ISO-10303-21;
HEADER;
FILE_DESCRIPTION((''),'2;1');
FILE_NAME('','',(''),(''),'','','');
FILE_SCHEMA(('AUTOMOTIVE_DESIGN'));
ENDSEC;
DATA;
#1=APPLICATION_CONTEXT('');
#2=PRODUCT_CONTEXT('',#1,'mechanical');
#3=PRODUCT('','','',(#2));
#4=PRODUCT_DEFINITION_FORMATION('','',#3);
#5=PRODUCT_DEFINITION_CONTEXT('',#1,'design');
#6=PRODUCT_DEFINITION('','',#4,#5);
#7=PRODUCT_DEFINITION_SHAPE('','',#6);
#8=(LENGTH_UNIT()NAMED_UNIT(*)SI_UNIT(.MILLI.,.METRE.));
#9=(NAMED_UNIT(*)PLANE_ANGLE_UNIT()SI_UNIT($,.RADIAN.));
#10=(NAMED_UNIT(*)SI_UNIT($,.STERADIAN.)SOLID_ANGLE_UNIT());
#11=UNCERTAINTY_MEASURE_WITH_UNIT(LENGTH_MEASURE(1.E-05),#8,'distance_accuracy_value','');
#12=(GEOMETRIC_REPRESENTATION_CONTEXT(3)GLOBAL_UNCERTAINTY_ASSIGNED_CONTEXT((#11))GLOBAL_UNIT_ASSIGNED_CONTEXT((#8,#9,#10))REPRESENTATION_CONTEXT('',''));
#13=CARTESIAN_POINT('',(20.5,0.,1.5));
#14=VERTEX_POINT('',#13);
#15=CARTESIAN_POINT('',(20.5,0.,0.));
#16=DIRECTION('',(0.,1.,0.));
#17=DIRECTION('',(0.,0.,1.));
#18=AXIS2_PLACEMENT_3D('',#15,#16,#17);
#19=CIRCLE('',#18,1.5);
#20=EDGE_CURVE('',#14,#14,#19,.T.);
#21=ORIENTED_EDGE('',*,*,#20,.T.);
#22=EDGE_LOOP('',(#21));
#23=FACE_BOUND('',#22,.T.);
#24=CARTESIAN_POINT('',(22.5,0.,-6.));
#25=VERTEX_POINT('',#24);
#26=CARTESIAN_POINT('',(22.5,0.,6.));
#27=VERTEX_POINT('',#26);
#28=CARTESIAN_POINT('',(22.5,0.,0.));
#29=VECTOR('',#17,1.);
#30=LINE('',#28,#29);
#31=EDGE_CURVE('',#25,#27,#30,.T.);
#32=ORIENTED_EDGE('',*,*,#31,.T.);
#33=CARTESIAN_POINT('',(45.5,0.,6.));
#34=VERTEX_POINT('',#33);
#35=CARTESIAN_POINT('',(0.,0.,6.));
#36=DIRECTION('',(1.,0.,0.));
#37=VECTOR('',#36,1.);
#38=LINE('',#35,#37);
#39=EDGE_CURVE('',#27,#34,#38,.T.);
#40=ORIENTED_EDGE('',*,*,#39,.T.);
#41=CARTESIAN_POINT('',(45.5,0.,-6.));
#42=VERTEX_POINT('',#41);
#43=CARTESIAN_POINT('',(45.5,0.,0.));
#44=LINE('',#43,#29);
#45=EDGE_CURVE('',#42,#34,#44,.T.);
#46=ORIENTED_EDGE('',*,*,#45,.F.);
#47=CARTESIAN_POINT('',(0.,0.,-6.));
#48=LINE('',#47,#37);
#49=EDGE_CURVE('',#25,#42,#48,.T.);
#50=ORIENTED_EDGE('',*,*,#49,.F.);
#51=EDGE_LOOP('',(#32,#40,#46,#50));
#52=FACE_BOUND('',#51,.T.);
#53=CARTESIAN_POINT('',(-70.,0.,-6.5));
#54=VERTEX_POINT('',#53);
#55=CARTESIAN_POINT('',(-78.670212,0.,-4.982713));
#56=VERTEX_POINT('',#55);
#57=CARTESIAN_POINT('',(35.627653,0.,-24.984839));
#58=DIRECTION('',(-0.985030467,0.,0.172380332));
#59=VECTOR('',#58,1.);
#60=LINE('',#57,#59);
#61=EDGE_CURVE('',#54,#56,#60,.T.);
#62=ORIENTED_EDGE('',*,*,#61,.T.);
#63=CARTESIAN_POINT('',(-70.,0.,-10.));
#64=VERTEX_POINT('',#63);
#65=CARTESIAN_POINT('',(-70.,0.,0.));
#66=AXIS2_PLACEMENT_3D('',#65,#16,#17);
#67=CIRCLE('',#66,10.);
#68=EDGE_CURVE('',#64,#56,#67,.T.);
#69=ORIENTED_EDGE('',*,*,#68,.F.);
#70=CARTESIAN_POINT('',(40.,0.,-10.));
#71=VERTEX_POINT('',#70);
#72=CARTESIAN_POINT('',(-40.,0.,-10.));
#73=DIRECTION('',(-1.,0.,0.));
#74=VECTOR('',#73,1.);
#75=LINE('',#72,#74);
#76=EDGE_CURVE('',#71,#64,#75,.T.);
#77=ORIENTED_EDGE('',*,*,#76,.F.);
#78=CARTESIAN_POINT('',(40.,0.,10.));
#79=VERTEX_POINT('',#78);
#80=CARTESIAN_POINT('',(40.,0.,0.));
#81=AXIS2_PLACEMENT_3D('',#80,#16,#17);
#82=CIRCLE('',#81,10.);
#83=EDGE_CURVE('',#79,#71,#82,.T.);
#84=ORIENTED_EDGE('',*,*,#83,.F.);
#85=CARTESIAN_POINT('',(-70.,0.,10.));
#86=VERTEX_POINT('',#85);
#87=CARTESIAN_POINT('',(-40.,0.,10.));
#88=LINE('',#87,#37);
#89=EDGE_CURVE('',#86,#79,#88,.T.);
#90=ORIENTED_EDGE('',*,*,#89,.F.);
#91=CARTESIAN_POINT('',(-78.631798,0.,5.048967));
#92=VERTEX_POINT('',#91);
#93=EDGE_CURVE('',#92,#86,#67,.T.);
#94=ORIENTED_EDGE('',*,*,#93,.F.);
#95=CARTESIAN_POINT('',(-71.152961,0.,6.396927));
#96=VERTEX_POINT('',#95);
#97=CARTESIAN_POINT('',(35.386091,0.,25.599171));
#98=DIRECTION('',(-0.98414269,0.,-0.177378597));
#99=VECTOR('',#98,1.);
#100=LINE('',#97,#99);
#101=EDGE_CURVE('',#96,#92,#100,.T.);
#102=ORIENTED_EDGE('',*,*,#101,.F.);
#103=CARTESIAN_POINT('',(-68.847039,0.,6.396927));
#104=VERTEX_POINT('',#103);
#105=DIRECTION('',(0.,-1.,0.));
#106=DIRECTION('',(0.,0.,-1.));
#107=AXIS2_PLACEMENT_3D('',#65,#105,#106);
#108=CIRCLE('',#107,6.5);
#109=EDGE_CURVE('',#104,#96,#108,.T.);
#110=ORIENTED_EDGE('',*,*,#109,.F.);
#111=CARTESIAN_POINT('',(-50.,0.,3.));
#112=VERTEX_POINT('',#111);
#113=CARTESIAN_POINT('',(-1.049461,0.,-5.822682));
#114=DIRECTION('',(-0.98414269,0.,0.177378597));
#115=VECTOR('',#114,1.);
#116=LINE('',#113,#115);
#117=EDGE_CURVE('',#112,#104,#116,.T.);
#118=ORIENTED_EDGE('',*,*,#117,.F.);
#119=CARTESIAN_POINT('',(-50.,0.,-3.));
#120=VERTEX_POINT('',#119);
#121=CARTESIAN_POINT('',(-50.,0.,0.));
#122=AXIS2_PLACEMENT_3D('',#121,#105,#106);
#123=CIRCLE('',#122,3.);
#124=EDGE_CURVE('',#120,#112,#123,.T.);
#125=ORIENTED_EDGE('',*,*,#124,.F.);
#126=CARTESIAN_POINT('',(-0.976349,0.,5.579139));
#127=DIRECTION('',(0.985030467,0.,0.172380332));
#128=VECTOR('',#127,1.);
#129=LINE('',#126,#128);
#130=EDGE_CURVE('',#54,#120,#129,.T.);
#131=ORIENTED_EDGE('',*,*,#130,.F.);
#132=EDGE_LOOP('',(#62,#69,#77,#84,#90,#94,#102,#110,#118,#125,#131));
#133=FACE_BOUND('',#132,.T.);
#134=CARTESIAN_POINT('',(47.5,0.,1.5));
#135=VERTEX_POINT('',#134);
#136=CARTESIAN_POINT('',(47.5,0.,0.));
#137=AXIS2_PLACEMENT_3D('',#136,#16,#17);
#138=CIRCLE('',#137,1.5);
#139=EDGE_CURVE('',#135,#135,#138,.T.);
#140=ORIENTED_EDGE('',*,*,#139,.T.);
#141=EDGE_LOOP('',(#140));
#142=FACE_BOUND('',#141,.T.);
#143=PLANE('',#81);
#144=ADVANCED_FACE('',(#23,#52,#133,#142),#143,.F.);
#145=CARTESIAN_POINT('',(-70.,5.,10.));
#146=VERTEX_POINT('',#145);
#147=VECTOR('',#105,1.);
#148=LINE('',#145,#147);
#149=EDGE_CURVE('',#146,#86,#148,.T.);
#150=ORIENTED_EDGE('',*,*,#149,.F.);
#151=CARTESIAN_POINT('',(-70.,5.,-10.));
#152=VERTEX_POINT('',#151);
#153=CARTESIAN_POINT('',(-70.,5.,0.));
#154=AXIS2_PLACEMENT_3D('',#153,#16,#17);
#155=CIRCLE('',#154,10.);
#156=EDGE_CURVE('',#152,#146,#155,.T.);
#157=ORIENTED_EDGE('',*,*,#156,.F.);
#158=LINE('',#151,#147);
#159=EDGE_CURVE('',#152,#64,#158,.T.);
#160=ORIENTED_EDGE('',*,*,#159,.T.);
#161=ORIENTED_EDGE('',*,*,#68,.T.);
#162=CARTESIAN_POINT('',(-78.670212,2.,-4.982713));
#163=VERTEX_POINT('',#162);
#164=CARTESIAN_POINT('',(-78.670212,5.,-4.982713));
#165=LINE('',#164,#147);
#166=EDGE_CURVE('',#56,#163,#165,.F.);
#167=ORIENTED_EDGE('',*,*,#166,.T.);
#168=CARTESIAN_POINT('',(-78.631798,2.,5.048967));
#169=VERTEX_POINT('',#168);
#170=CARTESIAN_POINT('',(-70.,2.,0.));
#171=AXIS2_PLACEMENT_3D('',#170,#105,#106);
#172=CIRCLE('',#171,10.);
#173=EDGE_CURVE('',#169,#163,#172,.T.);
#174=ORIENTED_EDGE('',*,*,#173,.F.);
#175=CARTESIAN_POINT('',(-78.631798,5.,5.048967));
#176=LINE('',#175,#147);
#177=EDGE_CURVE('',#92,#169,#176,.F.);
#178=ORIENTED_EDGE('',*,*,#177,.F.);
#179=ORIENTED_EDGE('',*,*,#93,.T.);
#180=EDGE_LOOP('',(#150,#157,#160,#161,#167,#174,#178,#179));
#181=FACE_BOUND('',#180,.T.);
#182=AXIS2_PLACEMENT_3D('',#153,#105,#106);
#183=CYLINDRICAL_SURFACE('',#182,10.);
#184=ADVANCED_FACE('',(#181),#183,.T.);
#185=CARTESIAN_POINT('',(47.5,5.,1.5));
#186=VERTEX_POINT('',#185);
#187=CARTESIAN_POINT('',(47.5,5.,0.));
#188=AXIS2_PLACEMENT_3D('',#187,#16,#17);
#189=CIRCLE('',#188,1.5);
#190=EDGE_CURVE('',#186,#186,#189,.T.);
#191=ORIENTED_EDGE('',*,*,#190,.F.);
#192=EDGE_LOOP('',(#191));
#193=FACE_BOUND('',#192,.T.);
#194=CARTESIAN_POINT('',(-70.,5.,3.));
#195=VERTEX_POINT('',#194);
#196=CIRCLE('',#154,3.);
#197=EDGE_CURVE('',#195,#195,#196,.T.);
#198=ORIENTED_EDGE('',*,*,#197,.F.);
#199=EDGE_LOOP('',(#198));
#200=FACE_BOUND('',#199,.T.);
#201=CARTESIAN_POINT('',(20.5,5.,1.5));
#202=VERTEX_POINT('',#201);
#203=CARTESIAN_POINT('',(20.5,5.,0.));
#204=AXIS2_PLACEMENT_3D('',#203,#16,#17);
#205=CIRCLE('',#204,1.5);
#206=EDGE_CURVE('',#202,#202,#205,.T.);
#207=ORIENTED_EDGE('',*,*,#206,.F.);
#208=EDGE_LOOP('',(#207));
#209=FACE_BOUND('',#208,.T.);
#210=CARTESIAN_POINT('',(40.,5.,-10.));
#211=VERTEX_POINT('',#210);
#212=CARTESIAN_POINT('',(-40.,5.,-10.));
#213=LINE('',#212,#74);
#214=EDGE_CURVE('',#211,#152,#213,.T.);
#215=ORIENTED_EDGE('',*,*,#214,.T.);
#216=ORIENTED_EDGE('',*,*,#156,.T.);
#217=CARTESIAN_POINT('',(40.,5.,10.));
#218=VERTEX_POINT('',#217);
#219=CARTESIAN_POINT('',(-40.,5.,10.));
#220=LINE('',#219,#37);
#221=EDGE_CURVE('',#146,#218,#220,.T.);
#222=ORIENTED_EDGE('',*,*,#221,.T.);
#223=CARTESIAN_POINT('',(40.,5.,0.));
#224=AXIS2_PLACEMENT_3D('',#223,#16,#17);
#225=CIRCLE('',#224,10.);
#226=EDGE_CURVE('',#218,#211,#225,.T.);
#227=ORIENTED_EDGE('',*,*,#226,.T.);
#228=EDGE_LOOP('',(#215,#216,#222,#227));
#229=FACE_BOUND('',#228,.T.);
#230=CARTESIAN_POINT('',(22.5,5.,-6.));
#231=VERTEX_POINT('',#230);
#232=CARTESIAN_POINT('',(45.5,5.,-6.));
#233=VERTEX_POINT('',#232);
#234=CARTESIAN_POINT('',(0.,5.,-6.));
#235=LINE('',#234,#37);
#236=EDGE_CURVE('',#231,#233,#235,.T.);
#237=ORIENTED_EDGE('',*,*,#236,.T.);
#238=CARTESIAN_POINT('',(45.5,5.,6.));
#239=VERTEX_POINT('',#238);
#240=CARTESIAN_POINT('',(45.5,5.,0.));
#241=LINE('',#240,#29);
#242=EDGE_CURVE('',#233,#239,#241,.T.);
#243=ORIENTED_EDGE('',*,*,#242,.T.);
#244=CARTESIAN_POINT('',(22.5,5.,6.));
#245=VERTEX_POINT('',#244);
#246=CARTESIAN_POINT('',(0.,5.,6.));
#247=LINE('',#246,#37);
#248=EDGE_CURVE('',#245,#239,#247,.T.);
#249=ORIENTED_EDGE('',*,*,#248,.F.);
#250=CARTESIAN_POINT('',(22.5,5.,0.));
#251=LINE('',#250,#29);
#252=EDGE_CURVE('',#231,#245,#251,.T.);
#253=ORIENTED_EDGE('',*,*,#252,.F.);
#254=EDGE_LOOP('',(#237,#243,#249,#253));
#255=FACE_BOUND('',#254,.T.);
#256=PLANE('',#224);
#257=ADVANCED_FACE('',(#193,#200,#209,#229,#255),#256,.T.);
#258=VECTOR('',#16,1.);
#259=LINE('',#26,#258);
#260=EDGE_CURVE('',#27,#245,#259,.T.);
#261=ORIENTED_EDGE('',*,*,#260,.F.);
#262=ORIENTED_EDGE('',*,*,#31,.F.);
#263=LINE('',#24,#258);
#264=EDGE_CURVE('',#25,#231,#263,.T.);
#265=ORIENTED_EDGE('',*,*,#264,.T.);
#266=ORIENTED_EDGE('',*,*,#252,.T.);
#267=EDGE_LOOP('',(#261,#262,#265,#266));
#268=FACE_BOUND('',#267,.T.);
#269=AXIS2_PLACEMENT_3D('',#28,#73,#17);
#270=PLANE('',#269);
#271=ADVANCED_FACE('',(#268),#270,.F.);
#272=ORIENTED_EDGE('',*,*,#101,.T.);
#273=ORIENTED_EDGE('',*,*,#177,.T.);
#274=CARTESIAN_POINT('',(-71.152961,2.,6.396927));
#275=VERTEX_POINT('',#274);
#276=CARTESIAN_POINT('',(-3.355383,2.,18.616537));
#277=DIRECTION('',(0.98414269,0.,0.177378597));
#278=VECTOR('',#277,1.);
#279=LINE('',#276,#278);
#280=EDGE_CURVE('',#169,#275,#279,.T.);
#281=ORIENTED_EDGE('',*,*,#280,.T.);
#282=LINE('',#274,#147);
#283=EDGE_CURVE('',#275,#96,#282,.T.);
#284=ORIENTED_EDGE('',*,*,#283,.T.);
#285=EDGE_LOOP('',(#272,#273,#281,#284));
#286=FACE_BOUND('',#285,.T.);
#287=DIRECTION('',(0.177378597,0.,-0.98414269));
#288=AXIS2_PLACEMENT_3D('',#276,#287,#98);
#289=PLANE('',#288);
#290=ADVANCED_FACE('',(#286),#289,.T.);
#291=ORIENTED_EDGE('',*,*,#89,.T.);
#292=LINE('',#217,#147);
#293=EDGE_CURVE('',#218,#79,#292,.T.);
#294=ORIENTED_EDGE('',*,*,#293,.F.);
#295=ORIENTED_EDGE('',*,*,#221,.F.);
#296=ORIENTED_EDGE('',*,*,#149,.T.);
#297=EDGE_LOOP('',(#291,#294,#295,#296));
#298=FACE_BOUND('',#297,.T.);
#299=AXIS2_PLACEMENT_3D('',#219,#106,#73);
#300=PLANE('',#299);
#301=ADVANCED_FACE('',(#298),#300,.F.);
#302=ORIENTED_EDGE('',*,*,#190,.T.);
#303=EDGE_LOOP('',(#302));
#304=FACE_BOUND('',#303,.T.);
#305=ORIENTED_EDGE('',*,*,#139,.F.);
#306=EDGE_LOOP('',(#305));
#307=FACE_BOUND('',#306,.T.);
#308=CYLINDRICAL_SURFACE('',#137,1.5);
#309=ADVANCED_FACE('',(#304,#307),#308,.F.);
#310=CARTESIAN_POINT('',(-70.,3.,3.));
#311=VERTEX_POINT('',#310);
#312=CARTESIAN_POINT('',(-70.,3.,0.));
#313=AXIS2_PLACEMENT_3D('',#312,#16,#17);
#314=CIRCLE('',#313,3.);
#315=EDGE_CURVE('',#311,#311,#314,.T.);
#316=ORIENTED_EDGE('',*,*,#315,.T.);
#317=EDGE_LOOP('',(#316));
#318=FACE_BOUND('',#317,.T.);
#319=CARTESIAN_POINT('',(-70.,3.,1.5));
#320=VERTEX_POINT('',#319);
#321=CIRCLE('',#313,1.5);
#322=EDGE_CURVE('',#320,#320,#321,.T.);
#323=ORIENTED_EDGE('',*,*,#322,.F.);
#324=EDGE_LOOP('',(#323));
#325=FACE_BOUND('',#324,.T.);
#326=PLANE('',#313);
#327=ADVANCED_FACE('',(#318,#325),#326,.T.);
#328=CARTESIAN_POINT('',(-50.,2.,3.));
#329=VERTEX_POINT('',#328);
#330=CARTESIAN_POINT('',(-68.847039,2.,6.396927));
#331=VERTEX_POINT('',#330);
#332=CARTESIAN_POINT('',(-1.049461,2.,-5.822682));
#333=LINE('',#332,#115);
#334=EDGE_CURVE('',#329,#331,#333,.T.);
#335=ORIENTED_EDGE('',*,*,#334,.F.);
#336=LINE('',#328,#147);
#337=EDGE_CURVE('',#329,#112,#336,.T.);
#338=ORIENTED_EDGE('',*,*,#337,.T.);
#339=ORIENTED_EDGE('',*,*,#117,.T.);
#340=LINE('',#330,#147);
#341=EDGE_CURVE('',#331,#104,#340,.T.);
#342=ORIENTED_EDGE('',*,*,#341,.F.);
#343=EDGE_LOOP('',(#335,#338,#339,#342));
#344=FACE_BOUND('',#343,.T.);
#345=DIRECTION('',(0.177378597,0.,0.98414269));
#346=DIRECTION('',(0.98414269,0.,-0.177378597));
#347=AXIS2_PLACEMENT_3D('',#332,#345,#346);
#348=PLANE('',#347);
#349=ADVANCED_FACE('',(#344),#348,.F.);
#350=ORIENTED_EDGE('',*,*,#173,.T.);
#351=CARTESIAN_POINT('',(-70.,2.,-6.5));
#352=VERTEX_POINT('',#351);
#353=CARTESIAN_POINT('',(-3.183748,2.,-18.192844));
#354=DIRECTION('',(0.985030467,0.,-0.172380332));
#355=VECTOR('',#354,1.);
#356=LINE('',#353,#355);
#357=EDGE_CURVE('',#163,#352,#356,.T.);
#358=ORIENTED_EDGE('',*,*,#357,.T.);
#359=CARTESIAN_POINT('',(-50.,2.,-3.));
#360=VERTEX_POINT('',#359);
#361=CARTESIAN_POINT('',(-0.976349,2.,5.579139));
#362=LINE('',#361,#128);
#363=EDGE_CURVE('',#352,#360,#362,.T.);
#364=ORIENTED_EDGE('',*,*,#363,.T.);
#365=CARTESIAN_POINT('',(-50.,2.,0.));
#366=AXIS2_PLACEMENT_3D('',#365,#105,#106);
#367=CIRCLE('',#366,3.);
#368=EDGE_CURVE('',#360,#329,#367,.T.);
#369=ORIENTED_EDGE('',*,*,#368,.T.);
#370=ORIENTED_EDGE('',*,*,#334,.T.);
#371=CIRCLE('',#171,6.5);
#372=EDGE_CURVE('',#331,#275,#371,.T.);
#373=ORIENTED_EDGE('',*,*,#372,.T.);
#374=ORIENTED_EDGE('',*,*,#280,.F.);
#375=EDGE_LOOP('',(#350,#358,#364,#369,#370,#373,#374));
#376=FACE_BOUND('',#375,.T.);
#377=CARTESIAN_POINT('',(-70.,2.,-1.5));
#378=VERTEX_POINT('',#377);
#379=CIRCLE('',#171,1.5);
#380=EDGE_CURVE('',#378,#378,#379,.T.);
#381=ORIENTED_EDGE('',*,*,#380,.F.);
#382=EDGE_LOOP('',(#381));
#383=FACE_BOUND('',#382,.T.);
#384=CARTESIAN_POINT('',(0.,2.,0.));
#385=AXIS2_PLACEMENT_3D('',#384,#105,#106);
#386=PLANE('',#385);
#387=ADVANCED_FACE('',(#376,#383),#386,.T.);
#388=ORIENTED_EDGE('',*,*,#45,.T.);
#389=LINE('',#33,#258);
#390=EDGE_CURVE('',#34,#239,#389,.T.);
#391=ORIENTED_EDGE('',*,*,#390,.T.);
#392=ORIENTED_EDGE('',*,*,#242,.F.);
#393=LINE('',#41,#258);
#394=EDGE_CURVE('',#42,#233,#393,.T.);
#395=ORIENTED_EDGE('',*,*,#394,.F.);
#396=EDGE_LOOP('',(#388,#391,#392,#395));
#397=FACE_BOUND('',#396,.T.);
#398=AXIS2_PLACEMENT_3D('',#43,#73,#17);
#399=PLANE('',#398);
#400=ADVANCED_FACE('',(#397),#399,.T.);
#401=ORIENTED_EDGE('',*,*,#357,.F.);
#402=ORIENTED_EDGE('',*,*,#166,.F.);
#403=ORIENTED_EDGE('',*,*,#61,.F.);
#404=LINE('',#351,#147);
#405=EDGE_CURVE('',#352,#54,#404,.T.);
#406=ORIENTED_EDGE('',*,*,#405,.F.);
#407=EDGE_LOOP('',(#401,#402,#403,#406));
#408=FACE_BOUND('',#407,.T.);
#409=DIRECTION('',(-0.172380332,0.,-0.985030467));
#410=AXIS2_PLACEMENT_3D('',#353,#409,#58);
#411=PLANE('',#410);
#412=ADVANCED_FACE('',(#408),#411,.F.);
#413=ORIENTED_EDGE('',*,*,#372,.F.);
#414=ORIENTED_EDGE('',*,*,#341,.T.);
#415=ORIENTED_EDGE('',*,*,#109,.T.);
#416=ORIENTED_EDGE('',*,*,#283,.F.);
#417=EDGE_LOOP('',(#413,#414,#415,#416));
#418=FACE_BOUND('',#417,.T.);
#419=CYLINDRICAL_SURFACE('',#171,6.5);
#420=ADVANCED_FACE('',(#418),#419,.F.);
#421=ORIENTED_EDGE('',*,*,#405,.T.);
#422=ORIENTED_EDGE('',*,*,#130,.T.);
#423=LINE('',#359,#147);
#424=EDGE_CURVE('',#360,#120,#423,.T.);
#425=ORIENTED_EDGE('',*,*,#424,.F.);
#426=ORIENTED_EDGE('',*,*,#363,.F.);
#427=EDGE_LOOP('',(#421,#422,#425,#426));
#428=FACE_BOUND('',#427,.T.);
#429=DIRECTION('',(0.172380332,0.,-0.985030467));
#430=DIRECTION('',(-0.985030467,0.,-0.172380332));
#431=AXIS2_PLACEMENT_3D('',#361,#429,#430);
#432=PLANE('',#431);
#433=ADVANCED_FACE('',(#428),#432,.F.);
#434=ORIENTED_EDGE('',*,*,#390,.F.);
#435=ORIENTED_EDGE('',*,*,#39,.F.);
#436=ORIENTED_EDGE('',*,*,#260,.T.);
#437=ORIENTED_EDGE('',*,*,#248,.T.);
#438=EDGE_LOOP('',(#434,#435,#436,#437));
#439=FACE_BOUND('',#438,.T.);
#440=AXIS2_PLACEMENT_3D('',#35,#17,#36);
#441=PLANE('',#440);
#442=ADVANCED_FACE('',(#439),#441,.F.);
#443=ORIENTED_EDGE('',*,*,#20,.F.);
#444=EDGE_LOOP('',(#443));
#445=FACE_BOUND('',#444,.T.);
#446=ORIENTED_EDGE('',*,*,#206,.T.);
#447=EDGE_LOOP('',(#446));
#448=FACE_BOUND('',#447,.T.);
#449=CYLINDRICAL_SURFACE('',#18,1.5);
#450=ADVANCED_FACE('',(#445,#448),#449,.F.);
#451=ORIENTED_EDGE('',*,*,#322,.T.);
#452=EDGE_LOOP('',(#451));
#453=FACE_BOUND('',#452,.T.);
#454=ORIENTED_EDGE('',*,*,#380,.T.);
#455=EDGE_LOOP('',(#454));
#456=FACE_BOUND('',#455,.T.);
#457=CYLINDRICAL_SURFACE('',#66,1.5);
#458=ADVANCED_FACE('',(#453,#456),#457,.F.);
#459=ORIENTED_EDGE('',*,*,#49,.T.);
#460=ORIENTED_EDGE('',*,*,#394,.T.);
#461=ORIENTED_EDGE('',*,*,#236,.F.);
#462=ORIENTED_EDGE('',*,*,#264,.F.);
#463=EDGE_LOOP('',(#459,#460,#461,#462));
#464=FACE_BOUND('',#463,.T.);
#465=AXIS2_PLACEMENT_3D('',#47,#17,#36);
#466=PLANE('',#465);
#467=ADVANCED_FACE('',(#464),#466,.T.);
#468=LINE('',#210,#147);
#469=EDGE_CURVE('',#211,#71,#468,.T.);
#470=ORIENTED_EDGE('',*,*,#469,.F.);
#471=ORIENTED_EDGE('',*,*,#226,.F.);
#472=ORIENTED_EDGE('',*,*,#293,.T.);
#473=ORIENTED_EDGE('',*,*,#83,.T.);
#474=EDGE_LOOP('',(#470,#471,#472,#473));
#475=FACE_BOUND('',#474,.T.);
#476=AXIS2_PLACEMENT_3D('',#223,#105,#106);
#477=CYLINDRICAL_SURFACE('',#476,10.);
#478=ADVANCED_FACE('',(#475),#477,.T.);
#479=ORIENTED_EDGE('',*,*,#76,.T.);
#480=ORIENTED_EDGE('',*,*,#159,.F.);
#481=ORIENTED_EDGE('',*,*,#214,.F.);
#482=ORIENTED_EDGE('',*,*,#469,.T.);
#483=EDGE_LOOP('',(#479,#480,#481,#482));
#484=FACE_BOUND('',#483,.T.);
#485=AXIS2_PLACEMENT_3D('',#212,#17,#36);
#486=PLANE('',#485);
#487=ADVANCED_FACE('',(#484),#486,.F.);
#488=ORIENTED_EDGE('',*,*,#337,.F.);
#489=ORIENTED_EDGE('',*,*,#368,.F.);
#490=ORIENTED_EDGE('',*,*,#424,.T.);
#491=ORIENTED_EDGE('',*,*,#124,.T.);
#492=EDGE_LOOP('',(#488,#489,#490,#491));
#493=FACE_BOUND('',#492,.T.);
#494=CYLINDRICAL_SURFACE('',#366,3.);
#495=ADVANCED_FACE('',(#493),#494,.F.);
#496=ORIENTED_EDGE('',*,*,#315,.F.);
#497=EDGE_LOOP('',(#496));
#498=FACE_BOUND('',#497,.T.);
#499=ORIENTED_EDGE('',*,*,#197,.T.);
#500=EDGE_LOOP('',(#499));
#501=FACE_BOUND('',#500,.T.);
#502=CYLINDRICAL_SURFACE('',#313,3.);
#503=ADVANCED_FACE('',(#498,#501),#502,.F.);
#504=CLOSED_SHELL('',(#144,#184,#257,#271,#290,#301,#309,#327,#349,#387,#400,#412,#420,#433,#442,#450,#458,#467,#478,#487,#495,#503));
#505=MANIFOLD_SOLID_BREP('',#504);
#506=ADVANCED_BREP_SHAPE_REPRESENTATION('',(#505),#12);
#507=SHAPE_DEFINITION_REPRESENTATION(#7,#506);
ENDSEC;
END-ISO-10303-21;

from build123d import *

# Parameters (mm, degrees)
BOSS_EXTRUDE1_DEPTH = 5
SKETCH3_W           = 17.5
SKETCH3_H           = 12
SKETCH3_W_2         = 5.5
SKETCH3_R           = 1.5
CUT_EXTRUDE1_DEPTH  = 81.777472107
SKETCH5_R           = 3
CUT_EXTRUDE2_DEPTH  = 2
CUT_EXTRUDE3_DEPTH  = 2
SKETCH8_R           = 1.5
CUT_EXTRUDE4_DEPTH  = 81.678373806


with BuildPart() as part:
    # Sketch1 → Boss-Extrude1 (new body)
    with BuildSketch(Plane(origin=(0, 0, 0), x_dir=(1, 0, 0), z_dir=(0, 1, 0))):
        with BuildLine():
            Line((-40, 10), (40, 10))
            ThreePointArc((40, 10), (50, 0), (40, -10))
            Line((40, -10), (-40, -10))
            Line((-40, -10), (-70, -10))
            ThreePointArc((-70, -10), (-80, 0), (-70, 10))
            Line((-70, 10), (-40, 10))
        make_face()
    extrude(amount=BOSS_EXTRUDE1_DEPTH)

    # Sketch3 → Cut-Extrude1 (cut, through all)
    with BuildSketch(Plane(origin=(0, 5, 0), x_dir=(1, 0, 0), z_dir=(0, 1, 0))):
        with Locations((31.25, 0)):
            Rectangle(SKETCH3_W, SKETCH3_H)
        with Locations((42.75, 0)):
            Rectangle(SKETCH3_W_2, SKETCH3_H)
        with Locations(Location((20.5, 0, 0), (0, 0, 270))):
            Circle(SKETCH3_R)
        with Locations(Location((47.5, 0, 0), (0, 0, 270))):
            Circle(SKETCH3_R)
    extrude(amount=-CUT_EXTRUDE1_DEPTH, mode=Mode.SUBTRACT)

    # Sketch5 → Cut-Extrude2 (cut)
    with BuildSketch(Plane(origin=(0, 5, 0), x_dir=(1, 0, 0), z_dir=(0, 1, 0))):
        with Locations(Location((-70, 0, 0), (0, 0, 270))):
            Circle(SKETCH5_R)
    extrude(amount=-CUT_EXTRUDE2_DEPTH, mode=Mode.SUBTRACT)

    # Sketch6 → Cut-Extrude3 (cut)
    with BuildSketch(Plane.XZ):
        with BuildLine():
            Line((-71.152960707, 6.396927513), (-78.631797828, 5.04896685))
            ThreePointArc((-78.631797828, 5.04896685), (-79.999926685, 0.038292326), (-78.670211746, -4.982712945))
            Line((-78.670211746, -4.982712945), (-70, -6.5))
            Line((-70, -6.5), (-50, -3))
            ThreePointArc((-50, -3), (-47, 0), (-50, 3))
            Line((-50, 3), (-68.847039198, 6.396927496))
            ThreePointArc((-68.847039198, 6.396927496), (-69.999999952, 6.5), (-71.152960707, 6.396927513))
        make_face()
    extrude(amount=-CUT_EXTRUDE3_DEPTH, mode=Mode.SUBTRACT)

    # Sketch8 → Cut-Extrude4 (cut, through all)
    with BuildSketch(Plane(origin=(0, 3, 0), x_dir=(1, 0, 0), z_dir=(0, 1, 0))):
        with Locations(Location((-70, 0, 0), (0, 0, 270))):
            Circle(SKETCH8_R)
    extrude(amount=-CUT_EXTRUDE4_DEPTH, mode=Mode.SUBTRACT)


solid = part.part
